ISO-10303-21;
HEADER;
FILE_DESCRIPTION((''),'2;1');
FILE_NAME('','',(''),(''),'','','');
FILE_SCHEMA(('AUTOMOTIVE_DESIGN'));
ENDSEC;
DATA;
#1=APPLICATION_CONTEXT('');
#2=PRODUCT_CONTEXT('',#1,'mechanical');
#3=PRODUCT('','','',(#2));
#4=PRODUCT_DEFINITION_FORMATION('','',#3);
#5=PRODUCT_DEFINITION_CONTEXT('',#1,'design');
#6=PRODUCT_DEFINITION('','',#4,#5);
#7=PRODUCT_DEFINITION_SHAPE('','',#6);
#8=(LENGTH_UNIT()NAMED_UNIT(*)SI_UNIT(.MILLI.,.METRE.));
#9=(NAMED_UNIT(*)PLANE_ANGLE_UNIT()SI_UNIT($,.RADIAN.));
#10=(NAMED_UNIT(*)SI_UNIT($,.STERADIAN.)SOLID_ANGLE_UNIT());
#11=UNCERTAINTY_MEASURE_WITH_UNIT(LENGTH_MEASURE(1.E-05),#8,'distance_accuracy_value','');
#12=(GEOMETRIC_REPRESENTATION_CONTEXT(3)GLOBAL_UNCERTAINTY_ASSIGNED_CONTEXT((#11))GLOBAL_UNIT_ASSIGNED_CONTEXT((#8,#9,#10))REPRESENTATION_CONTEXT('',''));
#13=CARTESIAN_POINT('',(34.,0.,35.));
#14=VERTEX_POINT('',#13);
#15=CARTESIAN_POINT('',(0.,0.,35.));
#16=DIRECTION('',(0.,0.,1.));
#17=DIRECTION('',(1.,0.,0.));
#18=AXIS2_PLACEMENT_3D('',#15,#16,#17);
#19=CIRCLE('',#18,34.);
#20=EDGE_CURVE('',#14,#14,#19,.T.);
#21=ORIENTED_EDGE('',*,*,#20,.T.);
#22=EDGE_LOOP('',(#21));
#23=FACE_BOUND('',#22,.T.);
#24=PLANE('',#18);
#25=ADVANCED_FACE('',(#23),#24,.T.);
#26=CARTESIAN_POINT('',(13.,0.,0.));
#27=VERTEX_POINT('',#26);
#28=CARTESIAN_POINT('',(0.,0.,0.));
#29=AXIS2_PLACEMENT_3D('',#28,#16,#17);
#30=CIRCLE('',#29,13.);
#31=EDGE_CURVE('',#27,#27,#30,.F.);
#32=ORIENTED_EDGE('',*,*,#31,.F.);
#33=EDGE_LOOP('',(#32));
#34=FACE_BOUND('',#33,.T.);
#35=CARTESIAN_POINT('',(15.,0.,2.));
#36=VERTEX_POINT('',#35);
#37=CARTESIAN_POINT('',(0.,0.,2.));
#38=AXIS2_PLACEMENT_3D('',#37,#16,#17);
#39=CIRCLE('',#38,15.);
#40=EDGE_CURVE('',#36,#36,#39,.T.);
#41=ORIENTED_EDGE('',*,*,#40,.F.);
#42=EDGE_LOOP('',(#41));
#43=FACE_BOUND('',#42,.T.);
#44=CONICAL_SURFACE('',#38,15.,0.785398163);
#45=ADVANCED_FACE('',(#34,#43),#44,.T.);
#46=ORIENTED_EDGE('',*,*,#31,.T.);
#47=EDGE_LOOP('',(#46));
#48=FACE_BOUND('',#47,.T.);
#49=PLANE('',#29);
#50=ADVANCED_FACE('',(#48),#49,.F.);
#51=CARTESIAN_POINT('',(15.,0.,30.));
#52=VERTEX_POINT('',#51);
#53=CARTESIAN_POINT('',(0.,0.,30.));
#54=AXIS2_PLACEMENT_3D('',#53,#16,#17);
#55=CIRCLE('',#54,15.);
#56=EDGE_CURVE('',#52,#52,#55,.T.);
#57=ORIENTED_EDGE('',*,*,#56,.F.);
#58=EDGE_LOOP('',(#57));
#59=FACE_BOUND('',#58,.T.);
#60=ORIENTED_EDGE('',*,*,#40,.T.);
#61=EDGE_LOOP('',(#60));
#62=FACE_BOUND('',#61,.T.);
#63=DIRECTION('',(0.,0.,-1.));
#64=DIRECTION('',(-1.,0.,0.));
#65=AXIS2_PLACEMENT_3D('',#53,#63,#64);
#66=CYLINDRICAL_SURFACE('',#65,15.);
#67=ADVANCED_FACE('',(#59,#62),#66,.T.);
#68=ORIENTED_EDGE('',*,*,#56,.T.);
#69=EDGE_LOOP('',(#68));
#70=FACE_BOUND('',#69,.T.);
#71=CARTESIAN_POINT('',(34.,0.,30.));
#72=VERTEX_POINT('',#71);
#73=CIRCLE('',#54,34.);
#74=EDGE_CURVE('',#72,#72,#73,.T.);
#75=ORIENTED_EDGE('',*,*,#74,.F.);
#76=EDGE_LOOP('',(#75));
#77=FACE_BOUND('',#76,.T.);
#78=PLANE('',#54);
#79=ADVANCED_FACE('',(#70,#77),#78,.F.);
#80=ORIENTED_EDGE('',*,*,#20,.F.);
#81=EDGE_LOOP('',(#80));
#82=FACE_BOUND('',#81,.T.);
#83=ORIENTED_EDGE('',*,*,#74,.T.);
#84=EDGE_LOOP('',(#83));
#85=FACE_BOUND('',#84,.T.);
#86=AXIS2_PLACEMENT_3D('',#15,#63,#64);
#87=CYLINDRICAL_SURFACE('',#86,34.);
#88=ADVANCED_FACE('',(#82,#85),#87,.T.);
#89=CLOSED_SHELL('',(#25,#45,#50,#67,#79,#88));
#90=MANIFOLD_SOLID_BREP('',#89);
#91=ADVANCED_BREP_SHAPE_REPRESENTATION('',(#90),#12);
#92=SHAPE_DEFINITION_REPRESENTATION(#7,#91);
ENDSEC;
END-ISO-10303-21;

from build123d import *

# Parameters (mm, degrees)
SKETCH_1_R      = 15
EXTRUDE_1_DEPTH = 30
SKETCH_2_R      = 34
EXTRUDE_2_DEPTH = 5
CHAMFER_1_SIZE  = 2


with BuildPart() as part:
    # 草图1 → 凸台-拉伸1 (new body)
    with BuildSketch(Plane.XY):
        Circle(SKETCH_1_R)
    extrude(amount=EXTRUDE_1_DEPTH)

    # 草图2 → 凸台-拉伸2 (add)
    with BuildSketch(Plane.XY.offset(30)):
        Circle(SKETCH_2_R)
    extrude(amount=EXTRUDE_2_DEPTH)

    # 倒角1
    chamfer_1_edges = [part.edges().sort_by_distance(p)[0] for p in [
        (-15, 0, 0),
    ]]
    chamfer(chamfer_1_edges, length=CHAMFER_1_SIZE)


solid = part.part
